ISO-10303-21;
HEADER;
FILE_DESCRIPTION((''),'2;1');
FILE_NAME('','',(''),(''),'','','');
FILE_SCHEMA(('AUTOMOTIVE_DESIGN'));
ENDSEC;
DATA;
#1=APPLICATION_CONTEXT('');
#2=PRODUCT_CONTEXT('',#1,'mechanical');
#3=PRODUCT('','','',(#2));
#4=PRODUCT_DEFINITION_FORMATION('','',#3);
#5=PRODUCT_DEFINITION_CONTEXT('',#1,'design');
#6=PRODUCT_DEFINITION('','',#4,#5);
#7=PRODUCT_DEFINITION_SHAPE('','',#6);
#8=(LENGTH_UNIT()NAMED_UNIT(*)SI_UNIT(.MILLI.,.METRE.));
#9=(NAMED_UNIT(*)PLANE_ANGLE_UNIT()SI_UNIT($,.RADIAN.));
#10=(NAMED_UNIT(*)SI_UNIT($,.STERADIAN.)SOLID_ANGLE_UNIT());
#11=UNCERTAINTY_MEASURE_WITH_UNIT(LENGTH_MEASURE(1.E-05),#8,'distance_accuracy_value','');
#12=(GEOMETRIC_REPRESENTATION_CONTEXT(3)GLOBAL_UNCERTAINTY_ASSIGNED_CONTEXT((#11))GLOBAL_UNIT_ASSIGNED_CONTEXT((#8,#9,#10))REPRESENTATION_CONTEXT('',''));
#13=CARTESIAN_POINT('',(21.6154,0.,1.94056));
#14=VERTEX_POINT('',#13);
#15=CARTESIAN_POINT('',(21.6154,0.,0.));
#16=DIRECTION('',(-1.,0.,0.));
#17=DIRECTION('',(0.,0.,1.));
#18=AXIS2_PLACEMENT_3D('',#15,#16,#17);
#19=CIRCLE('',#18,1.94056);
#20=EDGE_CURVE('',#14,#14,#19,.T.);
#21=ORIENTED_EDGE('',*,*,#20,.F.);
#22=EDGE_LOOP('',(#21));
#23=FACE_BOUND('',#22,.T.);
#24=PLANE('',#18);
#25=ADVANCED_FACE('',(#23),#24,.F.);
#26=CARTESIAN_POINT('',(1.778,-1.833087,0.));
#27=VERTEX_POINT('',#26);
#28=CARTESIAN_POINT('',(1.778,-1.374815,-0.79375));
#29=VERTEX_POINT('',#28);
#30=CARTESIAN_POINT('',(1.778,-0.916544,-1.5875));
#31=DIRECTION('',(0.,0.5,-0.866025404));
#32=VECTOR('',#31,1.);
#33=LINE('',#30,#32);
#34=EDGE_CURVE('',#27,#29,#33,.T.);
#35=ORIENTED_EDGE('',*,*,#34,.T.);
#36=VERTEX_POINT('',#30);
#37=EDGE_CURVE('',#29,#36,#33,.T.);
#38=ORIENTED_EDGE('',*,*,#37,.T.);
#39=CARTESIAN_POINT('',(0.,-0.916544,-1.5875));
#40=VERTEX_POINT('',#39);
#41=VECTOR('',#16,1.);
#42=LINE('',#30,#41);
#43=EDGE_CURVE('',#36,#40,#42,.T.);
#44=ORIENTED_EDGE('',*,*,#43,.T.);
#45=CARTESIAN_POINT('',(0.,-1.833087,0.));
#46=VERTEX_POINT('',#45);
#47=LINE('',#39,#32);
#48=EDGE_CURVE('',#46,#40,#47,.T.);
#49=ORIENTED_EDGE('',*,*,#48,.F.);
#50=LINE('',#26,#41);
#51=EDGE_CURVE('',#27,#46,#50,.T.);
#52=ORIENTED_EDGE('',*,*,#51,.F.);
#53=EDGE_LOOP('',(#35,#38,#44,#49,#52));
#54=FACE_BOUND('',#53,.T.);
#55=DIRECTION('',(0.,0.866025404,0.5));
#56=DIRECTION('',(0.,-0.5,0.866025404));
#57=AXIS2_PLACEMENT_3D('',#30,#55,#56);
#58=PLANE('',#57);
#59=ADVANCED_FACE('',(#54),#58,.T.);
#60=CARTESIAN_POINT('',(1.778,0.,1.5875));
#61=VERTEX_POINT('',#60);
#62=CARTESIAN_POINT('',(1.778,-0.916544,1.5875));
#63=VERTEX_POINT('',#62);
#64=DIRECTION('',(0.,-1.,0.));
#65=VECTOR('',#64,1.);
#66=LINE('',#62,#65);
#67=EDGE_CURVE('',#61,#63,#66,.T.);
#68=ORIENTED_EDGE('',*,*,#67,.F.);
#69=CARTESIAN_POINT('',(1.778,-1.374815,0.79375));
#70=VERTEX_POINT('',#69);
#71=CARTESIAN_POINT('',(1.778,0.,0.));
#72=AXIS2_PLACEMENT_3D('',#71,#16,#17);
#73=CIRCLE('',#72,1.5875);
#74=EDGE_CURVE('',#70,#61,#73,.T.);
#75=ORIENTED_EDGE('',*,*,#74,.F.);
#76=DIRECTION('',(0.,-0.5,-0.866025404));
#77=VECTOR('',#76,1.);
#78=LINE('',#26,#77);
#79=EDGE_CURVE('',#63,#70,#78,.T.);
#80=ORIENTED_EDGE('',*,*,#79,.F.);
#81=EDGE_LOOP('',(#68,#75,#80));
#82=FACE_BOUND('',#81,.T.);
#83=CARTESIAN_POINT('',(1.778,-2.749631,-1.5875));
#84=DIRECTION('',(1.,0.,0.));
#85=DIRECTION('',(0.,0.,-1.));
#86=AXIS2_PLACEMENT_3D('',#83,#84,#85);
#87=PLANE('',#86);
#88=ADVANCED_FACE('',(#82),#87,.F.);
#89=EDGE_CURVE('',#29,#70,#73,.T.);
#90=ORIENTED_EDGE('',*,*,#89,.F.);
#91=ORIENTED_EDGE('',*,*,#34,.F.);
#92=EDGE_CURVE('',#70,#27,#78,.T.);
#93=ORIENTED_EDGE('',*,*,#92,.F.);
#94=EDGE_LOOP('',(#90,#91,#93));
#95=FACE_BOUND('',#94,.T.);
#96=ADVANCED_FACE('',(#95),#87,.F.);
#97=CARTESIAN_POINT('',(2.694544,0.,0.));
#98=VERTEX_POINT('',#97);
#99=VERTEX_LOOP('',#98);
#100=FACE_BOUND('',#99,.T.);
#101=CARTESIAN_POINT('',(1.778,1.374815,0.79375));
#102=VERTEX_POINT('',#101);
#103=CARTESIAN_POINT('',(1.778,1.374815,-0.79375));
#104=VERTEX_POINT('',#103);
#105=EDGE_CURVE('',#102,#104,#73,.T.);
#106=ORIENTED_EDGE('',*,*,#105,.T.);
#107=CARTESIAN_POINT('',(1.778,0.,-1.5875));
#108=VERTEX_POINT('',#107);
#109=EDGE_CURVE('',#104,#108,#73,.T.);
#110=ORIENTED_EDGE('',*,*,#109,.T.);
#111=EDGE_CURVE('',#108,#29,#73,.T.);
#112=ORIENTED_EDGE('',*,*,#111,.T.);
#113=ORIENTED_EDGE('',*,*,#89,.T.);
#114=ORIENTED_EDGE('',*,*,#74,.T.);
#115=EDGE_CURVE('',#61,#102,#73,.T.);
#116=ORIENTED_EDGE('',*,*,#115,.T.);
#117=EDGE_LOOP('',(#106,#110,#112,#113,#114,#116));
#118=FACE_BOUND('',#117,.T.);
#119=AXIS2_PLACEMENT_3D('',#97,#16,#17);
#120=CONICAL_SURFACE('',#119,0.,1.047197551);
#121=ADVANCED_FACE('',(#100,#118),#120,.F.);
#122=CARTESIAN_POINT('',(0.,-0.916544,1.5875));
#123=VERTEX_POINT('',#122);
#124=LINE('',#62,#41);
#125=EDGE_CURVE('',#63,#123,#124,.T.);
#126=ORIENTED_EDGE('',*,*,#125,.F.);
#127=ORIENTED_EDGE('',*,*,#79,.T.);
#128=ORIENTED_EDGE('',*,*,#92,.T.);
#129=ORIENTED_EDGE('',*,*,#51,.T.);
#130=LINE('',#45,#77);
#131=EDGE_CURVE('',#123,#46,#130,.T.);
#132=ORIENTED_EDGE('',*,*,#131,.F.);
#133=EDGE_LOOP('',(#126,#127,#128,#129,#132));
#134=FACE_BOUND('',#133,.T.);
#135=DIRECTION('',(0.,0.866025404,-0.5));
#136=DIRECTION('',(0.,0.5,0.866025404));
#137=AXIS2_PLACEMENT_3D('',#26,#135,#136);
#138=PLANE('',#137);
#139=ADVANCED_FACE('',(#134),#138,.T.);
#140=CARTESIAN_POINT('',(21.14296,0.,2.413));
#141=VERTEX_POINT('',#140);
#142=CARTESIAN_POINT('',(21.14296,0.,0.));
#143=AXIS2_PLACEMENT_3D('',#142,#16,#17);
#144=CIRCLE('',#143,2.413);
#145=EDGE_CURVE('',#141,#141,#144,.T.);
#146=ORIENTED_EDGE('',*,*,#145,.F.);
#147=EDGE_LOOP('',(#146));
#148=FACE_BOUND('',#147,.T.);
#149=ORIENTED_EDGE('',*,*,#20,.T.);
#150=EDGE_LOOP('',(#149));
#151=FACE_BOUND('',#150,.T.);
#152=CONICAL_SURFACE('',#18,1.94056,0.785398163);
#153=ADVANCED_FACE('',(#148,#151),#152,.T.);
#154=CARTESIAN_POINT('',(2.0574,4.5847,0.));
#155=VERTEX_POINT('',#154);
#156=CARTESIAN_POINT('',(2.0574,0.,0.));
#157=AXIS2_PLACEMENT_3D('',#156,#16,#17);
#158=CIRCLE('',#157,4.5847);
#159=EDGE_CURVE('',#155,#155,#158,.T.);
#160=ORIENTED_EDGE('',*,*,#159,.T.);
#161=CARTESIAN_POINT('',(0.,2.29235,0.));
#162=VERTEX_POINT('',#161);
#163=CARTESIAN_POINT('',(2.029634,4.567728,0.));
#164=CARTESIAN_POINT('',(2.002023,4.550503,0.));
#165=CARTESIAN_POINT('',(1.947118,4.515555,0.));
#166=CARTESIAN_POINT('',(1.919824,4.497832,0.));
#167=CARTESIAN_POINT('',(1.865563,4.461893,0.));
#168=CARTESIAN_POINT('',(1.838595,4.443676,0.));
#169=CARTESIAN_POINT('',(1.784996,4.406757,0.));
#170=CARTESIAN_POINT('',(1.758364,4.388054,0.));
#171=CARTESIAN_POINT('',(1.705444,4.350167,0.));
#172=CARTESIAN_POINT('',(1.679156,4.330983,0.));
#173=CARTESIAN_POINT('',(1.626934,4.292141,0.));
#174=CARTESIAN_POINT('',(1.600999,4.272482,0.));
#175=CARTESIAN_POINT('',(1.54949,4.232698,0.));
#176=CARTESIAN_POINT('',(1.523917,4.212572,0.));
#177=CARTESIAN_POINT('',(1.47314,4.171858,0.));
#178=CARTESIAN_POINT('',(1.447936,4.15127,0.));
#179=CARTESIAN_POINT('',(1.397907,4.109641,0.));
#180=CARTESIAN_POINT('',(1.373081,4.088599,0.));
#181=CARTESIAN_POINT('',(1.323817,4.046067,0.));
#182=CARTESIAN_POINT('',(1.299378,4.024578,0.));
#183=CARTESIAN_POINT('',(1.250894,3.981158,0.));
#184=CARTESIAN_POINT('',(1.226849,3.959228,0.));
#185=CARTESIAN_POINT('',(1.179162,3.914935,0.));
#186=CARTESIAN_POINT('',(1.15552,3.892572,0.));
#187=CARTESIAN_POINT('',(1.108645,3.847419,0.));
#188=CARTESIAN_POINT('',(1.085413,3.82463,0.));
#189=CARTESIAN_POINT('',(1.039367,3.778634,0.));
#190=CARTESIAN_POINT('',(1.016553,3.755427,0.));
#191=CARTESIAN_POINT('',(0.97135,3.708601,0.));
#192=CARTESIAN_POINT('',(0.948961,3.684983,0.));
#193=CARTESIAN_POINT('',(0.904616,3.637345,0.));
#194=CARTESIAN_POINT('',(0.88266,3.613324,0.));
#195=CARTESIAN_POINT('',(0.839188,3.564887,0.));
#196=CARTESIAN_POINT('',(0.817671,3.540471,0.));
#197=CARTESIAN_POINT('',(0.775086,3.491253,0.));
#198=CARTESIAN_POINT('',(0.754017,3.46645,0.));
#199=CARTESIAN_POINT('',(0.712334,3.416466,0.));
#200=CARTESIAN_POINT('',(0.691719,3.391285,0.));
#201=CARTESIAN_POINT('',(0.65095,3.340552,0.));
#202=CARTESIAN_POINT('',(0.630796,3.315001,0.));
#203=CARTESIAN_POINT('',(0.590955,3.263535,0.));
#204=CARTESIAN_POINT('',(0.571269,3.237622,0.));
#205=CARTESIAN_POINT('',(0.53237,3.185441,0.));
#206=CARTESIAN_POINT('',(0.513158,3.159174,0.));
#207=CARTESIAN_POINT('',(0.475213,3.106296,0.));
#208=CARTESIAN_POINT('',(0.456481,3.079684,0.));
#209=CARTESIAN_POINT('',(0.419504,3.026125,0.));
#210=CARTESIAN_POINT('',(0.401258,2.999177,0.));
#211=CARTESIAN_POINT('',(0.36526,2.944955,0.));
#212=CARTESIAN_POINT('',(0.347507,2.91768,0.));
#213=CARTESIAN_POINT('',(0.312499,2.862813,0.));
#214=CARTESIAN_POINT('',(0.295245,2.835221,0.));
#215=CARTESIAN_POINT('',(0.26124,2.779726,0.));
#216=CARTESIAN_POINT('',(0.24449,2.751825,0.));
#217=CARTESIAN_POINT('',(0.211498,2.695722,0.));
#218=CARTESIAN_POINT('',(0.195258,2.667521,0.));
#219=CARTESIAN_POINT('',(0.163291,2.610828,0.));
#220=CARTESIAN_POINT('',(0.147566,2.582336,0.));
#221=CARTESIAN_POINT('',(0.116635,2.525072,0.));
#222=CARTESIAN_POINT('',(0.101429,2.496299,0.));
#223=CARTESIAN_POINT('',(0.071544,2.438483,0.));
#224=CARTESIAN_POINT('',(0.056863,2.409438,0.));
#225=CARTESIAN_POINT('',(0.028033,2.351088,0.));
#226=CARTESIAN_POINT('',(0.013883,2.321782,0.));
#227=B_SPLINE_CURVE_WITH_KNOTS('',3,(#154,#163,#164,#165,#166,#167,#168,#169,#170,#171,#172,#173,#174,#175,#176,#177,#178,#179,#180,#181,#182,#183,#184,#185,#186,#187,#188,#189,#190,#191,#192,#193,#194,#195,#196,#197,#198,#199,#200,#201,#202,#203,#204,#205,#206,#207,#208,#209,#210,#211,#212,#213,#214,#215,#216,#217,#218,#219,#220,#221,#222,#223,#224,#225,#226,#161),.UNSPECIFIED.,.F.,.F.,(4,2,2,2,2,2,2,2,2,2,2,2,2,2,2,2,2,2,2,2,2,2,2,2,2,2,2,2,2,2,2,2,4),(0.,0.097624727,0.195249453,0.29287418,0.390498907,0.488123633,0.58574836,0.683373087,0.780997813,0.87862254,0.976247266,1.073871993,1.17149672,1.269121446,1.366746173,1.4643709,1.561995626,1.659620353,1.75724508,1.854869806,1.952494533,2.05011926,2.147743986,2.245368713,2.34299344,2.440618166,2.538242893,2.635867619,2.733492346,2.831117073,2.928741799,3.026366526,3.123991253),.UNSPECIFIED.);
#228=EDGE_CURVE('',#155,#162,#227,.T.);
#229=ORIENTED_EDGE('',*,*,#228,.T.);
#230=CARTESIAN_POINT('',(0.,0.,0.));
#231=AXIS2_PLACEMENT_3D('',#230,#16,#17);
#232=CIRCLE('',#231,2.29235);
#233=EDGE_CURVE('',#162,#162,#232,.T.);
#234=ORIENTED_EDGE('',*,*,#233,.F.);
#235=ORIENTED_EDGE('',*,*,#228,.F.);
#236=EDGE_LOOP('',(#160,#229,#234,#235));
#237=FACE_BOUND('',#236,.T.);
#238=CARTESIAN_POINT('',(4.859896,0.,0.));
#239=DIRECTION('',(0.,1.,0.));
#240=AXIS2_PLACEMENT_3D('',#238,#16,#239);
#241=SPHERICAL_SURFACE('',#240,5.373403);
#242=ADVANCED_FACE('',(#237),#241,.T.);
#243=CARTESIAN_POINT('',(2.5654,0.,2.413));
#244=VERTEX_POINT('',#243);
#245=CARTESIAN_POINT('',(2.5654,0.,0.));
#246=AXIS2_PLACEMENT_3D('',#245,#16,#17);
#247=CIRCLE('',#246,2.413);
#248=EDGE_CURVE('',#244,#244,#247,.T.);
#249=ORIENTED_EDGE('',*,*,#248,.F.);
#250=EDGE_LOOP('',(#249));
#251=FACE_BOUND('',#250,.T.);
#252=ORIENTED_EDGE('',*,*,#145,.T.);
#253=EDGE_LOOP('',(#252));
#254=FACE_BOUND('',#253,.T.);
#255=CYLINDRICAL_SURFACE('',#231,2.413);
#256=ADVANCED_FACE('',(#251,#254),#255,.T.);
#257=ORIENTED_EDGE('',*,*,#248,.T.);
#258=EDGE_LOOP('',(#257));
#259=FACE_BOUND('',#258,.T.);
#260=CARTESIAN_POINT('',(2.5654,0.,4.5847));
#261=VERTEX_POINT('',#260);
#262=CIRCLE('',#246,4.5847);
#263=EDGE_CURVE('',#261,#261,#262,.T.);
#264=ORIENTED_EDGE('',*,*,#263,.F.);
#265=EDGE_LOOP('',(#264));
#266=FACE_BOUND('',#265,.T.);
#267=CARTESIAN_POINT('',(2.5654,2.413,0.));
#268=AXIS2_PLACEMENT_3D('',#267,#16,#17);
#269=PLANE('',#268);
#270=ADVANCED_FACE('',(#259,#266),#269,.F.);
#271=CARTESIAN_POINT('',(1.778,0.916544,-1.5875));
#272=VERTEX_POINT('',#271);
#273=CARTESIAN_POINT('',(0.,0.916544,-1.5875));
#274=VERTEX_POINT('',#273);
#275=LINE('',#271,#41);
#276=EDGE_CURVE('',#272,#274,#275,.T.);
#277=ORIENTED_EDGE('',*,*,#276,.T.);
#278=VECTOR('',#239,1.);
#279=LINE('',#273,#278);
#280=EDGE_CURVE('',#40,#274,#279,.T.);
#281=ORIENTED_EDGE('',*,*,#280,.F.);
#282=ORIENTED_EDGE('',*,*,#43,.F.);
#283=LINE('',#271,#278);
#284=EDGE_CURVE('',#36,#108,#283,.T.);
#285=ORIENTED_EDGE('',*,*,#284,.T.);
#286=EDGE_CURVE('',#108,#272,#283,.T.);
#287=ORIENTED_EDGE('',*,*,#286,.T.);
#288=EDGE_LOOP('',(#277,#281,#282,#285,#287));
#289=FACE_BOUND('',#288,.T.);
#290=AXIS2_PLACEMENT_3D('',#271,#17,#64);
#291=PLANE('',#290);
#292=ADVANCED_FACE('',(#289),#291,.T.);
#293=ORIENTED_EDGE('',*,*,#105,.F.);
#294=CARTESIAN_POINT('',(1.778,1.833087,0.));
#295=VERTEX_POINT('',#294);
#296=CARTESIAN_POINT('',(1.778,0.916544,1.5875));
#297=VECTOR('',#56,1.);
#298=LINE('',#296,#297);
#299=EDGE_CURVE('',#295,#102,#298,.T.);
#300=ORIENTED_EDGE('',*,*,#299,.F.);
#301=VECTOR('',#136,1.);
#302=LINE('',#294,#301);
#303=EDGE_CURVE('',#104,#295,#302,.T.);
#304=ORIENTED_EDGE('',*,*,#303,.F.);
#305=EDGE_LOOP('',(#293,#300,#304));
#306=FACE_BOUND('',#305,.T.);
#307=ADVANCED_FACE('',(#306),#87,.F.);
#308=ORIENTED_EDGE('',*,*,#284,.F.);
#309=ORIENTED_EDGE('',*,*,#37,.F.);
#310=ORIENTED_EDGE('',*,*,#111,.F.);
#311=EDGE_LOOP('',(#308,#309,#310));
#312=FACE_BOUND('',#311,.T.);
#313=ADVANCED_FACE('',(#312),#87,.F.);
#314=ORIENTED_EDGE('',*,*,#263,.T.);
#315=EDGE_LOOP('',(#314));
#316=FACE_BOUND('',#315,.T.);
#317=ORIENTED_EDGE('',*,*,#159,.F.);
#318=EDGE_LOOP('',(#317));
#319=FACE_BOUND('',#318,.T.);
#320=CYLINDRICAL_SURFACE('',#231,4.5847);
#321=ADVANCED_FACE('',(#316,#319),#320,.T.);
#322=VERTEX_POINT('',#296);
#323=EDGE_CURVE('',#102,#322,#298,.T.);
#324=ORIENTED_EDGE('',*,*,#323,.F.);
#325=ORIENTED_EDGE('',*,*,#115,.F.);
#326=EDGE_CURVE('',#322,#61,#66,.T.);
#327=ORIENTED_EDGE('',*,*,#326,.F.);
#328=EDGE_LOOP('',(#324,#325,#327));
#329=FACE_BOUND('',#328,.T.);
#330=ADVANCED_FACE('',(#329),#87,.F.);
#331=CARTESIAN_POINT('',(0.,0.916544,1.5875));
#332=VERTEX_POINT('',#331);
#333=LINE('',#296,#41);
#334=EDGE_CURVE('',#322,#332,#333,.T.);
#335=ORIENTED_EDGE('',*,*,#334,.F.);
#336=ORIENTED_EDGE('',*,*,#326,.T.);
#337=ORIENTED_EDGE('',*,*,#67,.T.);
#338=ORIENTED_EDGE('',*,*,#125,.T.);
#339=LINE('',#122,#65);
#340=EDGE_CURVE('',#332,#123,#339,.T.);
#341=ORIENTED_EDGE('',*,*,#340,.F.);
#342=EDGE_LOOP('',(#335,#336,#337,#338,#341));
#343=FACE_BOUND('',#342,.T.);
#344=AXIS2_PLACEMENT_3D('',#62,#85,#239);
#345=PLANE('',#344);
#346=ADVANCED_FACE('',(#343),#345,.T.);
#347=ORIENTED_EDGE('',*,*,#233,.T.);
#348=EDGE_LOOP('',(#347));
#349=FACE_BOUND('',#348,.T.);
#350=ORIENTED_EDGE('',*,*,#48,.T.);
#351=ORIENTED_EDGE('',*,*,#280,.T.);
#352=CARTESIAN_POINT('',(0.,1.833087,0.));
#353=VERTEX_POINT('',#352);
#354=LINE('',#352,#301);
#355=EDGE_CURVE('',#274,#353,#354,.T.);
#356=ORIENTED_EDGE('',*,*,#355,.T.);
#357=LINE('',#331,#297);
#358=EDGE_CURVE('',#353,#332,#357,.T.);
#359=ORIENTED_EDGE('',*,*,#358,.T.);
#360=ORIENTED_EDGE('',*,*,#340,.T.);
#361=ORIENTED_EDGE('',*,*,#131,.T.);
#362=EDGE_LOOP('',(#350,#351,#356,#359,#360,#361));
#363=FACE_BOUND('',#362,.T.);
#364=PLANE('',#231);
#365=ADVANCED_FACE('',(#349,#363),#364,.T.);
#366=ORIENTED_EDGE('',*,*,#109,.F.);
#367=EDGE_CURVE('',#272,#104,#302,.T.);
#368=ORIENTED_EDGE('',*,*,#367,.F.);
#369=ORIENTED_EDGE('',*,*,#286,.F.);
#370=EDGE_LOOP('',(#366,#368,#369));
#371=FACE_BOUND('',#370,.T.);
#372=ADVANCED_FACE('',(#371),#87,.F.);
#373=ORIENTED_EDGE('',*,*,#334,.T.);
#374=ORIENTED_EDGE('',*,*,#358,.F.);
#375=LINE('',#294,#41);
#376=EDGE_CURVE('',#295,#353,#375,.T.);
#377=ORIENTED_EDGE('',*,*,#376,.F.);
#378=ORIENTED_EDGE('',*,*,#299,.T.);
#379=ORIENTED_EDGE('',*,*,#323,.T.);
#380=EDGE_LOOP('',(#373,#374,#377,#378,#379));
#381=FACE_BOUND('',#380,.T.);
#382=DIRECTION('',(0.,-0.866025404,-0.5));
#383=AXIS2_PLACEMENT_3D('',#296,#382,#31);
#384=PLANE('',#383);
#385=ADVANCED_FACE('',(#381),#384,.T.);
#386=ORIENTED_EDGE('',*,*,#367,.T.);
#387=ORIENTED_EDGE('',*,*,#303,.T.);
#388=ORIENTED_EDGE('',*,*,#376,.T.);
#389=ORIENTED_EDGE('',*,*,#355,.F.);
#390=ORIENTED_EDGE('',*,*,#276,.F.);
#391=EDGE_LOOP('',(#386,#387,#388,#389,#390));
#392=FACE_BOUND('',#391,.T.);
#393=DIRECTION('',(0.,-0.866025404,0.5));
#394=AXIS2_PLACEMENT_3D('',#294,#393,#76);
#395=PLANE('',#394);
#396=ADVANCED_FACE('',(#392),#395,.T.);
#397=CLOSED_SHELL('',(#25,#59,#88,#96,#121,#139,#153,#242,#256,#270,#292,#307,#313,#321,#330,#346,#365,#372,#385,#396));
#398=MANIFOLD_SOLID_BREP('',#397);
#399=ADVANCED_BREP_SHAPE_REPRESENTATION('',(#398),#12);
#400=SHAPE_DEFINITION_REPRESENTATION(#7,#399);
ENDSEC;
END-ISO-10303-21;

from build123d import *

# Parameters (mm, degrees)
HEX_2_DEPTH = 1.778


with BuildPart() as part:
    # BodySke → BaseBody (revolve)
    with BuildSketch(Plane.XY, mode=Mode.PRIVATE) as basebody_sk:
        with BuildLine():
            Line((21.6154, 0), (21.6154, 1.94056))
            Line((21.6154, 1.94056), (21.14296, 2.413))
            Line((21.14296, 2.413), (2.5654, 2.413))
            Line((2.5654, 2.413), (2.5654, 4.5847))
            Line((2.5654, 4.5847), (2.0574, 4.5847))
            ThreePointArc((2.0574, 4.5847), (0.860923645, 3.589105441), (0, 2.29235))
            Line((0, 2.29235), (0, 0))
            Line((0, 0), (21.6154, 0))
        make_face()
    revolve(basebody_sk.sketch.rotate(Axis((0, 0, 0), (1, 0, 0)), 90), axis=Axis((0, 0, 0), (1, 0, 0)))

    # Sketch2 → PreBroach (revolve, cut)
    with BuildSketch(Plane.XY, mode=Mode.PRIVATE) as prebroach_sk:
        Polygon((0, 1.5875), (1.778, 1.5875), (2.694543552, 0), (0, 0), align=None)
    revolve(prebroach_sk.sketch.rotate(Axis((0, 0, 0), (1, 0, 0)), 90), axis=Axis((0, 0, 0), (1, 0, 0)), mode=Mode.SUBTRACT)

    # Sketch3 → Hex 2 (cut)
    with BuildSketch(Plane(origin=(0, 0, 0), x_dir=(0, 0, -1), z_dir=(1, 0, 0))):
        Polygon((-1.5875, -0.916543552), (-1.5875, 0.916543552), (0, 1.833087105), (1.5875, 0.916543552), (1.5875, -0.916543552), (0, -1.833087105), align=None)
    extrude(amount=HEX_2_DEPTH, mode=Mode.SUBTRACT)


solid = part.part
